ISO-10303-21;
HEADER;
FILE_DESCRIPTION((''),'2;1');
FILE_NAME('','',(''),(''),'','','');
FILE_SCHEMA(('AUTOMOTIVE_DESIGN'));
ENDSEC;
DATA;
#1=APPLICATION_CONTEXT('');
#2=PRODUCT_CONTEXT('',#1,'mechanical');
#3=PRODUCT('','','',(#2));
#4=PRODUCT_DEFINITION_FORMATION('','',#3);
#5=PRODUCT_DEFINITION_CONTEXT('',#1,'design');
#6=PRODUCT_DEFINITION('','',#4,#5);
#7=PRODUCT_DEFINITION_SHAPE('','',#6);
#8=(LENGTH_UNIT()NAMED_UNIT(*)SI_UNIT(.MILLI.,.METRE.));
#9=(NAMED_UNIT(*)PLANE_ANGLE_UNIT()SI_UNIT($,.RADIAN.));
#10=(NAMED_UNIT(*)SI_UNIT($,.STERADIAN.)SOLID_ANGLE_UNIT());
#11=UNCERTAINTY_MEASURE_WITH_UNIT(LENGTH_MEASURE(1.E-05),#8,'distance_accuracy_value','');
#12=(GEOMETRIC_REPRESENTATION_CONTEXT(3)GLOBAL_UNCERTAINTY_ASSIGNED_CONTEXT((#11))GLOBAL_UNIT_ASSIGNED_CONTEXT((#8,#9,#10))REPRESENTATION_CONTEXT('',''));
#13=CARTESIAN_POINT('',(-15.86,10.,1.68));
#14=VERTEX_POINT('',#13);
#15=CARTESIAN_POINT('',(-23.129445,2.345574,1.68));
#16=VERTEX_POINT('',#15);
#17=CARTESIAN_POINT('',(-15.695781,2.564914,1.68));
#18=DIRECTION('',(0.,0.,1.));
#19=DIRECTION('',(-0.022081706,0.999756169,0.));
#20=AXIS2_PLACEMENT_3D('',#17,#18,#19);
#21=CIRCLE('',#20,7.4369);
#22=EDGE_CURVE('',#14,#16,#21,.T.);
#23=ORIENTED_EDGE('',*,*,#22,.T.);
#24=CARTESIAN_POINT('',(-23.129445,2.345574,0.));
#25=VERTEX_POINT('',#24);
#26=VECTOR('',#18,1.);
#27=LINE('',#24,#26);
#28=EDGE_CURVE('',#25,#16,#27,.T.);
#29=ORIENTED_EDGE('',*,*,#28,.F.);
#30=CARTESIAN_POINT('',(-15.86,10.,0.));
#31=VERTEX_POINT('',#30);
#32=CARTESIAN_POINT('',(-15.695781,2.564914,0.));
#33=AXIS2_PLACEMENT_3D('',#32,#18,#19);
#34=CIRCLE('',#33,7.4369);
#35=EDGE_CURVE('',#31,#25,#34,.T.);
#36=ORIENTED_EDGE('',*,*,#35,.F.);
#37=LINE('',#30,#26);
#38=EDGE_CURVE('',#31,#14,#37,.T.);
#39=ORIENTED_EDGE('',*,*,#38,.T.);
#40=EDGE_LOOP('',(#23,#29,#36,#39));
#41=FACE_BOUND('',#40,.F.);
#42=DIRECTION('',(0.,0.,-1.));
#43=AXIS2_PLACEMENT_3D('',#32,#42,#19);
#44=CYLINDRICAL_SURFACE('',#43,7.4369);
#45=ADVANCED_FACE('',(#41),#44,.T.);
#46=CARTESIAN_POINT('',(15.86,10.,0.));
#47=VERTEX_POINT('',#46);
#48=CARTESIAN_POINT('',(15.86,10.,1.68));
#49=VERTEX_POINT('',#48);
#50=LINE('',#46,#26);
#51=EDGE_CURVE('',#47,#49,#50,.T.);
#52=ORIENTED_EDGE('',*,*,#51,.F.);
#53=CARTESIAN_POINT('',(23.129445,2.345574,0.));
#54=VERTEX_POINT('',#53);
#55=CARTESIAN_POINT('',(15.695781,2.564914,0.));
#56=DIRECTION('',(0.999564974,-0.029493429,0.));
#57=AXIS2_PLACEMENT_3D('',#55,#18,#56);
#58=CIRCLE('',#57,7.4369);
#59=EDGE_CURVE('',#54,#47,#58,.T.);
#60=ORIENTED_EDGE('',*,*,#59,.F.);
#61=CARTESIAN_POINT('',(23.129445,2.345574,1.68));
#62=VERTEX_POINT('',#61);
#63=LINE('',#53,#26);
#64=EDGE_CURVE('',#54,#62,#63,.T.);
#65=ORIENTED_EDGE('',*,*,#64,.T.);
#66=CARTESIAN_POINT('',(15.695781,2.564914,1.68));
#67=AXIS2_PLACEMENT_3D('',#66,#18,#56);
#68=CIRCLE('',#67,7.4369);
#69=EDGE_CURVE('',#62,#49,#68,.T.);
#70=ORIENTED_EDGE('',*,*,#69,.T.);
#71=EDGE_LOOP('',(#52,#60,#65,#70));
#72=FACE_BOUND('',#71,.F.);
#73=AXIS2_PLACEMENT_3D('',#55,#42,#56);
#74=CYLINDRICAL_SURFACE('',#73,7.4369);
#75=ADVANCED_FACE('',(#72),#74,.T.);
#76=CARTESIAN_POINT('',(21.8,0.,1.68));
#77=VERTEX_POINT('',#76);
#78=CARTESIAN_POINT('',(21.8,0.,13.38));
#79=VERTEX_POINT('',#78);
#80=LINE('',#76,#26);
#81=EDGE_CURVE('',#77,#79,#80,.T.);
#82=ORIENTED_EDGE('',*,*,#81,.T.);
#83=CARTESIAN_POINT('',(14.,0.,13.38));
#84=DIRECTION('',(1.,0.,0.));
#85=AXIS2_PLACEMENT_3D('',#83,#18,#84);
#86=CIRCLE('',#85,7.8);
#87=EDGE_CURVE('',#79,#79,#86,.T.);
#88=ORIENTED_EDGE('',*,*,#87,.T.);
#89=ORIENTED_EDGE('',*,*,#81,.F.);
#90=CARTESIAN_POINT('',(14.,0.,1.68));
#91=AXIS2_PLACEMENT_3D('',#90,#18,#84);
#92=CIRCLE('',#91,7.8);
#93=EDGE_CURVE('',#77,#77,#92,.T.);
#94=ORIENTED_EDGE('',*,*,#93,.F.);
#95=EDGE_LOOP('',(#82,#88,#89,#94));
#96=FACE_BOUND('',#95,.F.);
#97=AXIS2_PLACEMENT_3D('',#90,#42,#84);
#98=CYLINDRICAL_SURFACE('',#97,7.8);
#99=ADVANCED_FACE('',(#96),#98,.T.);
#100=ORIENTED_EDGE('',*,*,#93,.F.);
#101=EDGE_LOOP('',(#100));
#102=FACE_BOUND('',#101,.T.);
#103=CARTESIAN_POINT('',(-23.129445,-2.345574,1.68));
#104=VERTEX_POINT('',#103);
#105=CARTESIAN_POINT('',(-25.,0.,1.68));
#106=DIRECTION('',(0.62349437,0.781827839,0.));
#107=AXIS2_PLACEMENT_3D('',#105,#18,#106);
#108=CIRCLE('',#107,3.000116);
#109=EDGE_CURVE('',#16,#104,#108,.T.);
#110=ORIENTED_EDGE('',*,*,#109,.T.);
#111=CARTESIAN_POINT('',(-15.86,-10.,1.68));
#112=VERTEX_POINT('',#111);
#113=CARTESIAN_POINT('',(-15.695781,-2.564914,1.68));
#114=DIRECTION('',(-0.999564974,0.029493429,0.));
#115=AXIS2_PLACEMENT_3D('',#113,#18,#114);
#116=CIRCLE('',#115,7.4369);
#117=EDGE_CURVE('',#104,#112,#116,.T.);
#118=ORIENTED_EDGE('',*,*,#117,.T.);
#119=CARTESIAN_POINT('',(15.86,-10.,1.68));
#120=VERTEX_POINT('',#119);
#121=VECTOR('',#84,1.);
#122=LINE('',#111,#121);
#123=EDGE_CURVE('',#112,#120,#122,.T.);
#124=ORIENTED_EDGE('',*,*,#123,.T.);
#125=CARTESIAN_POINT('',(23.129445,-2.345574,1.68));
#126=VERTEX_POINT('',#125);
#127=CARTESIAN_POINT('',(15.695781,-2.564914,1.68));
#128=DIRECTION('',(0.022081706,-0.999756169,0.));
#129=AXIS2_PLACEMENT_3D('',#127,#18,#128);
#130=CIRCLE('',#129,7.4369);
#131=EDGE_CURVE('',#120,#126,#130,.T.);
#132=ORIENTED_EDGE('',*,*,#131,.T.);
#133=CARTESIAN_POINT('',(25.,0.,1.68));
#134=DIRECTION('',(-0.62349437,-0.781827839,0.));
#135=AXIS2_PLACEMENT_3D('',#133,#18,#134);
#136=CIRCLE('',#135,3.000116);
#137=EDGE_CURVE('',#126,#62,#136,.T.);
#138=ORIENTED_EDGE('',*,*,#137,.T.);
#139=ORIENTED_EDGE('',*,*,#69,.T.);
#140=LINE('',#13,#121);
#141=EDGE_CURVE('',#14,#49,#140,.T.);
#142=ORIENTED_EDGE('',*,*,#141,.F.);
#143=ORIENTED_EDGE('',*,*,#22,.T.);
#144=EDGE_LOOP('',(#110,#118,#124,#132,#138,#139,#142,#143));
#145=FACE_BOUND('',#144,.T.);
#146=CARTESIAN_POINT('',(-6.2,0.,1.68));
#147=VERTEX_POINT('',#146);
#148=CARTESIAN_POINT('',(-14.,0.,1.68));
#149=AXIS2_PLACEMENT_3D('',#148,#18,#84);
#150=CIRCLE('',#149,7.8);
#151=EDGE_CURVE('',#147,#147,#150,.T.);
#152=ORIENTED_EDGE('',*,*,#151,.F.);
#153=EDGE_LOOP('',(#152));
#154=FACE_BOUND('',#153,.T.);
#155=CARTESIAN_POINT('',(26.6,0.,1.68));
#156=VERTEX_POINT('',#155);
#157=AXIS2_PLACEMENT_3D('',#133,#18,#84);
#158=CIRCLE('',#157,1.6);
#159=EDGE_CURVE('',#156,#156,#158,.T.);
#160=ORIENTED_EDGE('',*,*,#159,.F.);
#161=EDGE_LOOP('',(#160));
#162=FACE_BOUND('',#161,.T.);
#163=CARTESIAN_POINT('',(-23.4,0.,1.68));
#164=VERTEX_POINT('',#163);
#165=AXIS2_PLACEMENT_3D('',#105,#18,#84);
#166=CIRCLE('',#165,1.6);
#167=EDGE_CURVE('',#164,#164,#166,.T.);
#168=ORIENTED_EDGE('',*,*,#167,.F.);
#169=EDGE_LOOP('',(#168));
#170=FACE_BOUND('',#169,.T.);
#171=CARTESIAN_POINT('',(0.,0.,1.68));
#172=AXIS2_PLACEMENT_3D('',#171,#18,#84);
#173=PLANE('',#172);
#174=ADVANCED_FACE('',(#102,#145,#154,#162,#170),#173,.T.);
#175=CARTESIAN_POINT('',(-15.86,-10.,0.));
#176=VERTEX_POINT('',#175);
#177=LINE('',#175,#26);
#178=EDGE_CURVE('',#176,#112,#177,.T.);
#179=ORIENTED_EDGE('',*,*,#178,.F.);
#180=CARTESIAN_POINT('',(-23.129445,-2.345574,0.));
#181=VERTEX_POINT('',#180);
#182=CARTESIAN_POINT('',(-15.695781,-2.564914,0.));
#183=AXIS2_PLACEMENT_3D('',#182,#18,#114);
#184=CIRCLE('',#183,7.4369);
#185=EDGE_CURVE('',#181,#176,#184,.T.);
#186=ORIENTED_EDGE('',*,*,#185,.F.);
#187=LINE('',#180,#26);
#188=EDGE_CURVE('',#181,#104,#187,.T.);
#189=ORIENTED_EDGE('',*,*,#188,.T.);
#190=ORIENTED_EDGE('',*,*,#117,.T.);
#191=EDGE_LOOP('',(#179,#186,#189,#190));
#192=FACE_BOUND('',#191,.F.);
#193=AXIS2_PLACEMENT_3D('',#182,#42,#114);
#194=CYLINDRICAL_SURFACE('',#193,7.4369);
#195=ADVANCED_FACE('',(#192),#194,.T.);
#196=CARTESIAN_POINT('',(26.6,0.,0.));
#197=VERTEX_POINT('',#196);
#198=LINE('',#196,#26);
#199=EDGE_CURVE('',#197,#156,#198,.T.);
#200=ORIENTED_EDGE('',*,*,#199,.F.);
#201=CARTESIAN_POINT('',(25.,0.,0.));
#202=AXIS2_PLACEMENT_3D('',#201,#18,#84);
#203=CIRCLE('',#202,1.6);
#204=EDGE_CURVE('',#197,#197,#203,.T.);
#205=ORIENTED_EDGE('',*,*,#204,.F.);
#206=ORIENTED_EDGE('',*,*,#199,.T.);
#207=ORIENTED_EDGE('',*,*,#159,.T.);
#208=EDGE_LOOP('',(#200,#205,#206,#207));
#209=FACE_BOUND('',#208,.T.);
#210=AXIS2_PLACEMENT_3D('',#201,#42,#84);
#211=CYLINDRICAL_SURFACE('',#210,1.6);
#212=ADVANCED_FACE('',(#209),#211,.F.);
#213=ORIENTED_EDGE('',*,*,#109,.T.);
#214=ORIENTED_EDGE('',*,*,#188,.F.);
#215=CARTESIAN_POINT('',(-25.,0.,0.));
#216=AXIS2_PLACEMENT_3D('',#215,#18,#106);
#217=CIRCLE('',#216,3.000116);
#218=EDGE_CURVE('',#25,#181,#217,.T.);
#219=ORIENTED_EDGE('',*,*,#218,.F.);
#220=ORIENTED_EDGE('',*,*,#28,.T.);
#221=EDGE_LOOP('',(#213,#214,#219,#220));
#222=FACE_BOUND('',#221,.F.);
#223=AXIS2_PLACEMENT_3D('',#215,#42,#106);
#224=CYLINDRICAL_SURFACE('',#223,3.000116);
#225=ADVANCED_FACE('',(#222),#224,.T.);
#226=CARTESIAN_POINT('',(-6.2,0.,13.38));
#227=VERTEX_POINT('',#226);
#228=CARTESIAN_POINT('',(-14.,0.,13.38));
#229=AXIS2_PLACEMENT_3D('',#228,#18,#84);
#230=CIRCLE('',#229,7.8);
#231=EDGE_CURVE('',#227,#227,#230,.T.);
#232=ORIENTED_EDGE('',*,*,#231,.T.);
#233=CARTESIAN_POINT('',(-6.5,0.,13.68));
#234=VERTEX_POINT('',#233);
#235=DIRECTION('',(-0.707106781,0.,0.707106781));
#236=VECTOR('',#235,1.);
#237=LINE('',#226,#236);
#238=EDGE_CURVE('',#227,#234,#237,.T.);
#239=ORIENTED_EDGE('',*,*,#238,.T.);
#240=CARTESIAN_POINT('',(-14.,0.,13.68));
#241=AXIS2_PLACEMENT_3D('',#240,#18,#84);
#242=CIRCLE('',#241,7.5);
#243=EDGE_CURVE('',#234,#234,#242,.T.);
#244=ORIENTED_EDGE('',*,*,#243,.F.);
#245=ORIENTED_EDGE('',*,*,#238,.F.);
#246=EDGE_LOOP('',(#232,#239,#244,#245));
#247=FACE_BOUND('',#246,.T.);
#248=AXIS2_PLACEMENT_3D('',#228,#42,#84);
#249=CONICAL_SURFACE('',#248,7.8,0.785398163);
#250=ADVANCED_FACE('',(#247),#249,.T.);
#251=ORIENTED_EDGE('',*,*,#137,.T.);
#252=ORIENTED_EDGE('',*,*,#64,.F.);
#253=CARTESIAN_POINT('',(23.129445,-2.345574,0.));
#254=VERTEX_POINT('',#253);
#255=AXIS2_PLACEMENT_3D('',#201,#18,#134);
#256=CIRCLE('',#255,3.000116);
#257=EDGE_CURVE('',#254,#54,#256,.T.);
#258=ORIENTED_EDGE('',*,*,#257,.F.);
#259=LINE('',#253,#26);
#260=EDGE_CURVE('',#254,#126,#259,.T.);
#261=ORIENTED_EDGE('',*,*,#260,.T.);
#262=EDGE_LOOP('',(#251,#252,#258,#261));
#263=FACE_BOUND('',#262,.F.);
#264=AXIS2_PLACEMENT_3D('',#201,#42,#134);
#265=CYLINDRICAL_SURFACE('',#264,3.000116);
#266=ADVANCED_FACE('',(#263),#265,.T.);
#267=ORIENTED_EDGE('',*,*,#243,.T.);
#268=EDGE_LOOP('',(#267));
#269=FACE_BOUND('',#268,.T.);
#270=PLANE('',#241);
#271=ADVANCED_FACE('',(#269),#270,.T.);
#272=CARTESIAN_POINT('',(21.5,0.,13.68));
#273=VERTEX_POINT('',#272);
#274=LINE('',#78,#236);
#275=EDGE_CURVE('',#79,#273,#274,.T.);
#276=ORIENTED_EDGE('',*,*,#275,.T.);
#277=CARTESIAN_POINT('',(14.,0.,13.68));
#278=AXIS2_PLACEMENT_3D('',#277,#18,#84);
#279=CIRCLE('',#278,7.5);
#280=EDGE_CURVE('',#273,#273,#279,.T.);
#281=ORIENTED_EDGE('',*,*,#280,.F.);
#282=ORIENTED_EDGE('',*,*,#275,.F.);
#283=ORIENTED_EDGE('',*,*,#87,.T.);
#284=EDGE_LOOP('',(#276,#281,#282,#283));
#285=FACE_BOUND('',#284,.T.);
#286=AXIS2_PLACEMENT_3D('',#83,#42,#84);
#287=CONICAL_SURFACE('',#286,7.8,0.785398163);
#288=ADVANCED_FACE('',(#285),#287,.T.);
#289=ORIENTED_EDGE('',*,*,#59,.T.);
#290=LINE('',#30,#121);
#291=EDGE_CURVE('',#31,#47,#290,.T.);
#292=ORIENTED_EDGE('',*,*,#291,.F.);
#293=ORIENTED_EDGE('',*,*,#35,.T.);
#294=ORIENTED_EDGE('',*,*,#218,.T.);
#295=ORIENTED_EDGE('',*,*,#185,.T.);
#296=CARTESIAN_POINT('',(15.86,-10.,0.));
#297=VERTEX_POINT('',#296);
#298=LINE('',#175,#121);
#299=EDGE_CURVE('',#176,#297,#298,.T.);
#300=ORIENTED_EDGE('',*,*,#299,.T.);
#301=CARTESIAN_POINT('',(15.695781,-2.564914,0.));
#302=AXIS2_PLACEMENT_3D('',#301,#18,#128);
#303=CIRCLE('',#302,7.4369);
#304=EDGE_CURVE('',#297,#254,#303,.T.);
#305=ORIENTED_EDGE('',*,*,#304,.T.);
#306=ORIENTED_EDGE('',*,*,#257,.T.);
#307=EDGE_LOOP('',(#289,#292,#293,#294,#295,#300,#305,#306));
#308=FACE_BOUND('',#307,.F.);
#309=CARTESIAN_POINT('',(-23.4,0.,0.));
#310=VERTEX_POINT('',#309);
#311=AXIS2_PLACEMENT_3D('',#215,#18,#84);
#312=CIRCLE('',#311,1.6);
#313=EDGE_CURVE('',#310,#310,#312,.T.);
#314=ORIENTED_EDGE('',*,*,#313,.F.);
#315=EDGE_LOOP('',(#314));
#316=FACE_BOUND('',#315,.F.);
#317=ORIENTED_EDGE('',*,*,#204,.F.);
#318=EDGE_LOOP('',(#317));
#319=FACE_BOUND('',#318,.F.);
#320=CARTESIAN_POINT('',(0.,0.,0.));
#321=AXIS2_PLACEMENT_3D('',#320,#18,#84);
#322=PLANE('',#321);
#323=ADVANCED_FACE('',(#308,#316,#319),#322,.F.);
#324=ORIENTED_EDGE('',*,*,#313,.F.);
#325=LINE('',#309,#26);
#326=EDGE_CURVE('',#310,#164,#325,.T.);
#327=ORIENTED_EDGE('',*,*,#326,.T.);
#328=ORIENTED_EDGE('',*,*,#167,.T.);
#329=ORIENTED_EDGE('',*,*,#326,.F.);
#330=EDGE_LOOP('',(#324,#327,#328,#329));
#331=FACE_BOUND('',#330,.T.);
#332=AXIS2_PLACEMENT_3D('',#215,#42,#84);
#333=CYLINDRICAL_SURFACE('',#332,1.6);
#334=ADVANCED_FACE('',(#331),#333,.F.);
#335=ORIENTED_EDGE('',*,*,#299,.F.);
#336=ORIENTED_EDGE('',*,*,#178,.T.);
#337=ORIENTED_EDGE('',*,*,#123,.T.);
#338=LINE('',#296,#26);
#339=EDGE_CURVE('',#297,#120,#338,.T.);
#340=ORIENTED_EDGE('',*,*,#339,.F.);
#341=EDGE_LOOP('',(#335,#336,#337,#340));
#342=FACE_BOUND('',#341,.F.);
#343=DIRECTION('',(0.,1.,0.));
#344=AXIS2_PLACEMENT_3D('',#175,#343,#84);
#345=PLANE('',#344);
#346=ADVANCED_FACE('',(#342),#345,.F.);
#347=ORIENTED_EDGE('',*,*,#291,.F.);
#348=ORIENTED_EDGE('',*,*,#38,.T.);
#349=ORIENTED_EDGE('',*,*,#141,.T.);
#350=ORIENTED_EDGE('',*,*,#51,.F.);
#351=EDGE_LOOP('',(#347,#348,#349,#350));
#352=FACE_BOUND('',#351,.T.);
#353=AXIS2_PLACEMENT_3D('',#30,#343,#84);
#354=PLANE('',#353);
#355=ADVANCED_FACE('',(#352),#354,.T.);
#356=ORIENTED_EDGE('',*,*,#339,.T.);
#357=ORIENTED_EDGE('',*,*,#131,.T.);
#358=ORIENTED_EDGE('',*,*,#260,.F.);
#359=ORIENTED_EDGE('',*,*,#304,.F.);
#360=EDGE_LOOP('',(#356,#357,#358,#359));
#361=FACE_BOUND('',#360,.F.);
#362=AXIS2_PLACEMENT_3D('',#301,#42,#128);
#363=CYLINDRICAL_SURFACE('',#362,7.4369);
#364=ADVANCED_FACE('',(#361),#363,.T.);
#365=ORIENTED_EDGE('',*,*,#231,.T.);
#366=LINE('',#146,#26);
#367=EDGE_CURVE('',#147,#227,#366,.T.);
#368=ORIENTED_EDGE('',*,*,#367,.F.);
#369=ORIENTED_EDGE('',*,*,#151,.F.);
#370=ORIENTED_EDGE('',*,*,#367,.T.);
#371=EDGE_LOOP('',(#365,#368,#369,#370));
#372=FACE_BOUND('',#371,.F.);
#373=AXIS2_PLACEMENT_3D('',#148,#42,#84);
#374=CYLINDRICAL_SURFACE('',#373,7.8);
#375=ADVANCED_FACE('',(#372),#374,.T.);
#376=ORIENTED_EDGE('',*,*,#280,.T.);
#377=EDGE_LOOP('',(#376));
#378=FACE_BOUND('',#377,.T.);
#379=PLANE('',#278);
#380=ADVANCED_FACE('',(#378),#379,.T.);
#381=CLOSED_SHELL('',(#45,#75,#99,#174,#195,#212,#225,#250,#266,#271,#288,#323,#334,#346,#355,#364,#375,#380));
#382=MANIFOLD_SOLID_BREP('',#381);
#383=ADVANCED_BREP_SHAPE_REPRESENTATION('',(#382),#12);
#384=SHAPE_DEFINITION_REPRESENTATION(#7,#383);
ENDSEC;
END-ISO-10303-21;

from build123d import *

# Parameters (mm, degrees)
SKETCH007_R     = 1.6
PAD002_DEPTH    = 1.68
SKETCH008_R     = 7.8
PAD003_DEPTH    = 12
CHAMFER005_SIZE = 0.3


with BuildPart() as part:
    # Sketch007 → Pad002 (new body)
    with BuildSketch(Plane.XY):
        with BuildLine():
            Line((-15.86, -10), (15.86, -10))
            ThreePointArc((15.86, -10), (21.088323, -7.686238), (23.129445, -2.345574))
            ThreePointArc((23.129445, -2.345574), (28.000116, 0), (23.129445, 2.345574))
            ThreePointArc((23.129445, 2.345574), (21.088323, 7.686238), (15.86, 10))
            Line((-15.86, 10), (15.86, 10))
            ThreePointArc((-15.86, 10), (-21.088323, 7.686238), (-23.129445, 2.345574))
            ThreePointArc((-23.129445, 2.345574), (-28.000116, 0), (-23.129445, -2.345574))
            ThreePointArc((-23.129445, -2.345574), (-21.088323, -7.686238), (-15.86, -10))
        make_face()
        with Locations((-25, 0)):
            Circle(SKETCH007_R, mode=Mode.SUBTRACT)
        with Locations((25, 0)):
            Circle(SKETCH007_R, mode=Mode.SUBTRACT)
    extrude(amount=PAD002_DEPTH)

    # Sketch008 → Pad003 (new body)
    with BuildSketch(Plane.XY.offset(1.68)):
        with Locations((-14, 0)):
            Circle(SKETCH008_R)
        with Locations((14, 0)):
            Circle(SKETCH008_R)
    extrude(amount=PAD003_DEPTH)

    # Chamfer005
    chamfer005_edges = [part.edges().sort_by_distance(p)[0] for p in [
        (6.2, 0, 13.68),
        (-21.8, 0, 13.68),
    ]]
    chamfer(chamfer005_edges, length=CHAMFER005_SIZE)


solid = part.part
